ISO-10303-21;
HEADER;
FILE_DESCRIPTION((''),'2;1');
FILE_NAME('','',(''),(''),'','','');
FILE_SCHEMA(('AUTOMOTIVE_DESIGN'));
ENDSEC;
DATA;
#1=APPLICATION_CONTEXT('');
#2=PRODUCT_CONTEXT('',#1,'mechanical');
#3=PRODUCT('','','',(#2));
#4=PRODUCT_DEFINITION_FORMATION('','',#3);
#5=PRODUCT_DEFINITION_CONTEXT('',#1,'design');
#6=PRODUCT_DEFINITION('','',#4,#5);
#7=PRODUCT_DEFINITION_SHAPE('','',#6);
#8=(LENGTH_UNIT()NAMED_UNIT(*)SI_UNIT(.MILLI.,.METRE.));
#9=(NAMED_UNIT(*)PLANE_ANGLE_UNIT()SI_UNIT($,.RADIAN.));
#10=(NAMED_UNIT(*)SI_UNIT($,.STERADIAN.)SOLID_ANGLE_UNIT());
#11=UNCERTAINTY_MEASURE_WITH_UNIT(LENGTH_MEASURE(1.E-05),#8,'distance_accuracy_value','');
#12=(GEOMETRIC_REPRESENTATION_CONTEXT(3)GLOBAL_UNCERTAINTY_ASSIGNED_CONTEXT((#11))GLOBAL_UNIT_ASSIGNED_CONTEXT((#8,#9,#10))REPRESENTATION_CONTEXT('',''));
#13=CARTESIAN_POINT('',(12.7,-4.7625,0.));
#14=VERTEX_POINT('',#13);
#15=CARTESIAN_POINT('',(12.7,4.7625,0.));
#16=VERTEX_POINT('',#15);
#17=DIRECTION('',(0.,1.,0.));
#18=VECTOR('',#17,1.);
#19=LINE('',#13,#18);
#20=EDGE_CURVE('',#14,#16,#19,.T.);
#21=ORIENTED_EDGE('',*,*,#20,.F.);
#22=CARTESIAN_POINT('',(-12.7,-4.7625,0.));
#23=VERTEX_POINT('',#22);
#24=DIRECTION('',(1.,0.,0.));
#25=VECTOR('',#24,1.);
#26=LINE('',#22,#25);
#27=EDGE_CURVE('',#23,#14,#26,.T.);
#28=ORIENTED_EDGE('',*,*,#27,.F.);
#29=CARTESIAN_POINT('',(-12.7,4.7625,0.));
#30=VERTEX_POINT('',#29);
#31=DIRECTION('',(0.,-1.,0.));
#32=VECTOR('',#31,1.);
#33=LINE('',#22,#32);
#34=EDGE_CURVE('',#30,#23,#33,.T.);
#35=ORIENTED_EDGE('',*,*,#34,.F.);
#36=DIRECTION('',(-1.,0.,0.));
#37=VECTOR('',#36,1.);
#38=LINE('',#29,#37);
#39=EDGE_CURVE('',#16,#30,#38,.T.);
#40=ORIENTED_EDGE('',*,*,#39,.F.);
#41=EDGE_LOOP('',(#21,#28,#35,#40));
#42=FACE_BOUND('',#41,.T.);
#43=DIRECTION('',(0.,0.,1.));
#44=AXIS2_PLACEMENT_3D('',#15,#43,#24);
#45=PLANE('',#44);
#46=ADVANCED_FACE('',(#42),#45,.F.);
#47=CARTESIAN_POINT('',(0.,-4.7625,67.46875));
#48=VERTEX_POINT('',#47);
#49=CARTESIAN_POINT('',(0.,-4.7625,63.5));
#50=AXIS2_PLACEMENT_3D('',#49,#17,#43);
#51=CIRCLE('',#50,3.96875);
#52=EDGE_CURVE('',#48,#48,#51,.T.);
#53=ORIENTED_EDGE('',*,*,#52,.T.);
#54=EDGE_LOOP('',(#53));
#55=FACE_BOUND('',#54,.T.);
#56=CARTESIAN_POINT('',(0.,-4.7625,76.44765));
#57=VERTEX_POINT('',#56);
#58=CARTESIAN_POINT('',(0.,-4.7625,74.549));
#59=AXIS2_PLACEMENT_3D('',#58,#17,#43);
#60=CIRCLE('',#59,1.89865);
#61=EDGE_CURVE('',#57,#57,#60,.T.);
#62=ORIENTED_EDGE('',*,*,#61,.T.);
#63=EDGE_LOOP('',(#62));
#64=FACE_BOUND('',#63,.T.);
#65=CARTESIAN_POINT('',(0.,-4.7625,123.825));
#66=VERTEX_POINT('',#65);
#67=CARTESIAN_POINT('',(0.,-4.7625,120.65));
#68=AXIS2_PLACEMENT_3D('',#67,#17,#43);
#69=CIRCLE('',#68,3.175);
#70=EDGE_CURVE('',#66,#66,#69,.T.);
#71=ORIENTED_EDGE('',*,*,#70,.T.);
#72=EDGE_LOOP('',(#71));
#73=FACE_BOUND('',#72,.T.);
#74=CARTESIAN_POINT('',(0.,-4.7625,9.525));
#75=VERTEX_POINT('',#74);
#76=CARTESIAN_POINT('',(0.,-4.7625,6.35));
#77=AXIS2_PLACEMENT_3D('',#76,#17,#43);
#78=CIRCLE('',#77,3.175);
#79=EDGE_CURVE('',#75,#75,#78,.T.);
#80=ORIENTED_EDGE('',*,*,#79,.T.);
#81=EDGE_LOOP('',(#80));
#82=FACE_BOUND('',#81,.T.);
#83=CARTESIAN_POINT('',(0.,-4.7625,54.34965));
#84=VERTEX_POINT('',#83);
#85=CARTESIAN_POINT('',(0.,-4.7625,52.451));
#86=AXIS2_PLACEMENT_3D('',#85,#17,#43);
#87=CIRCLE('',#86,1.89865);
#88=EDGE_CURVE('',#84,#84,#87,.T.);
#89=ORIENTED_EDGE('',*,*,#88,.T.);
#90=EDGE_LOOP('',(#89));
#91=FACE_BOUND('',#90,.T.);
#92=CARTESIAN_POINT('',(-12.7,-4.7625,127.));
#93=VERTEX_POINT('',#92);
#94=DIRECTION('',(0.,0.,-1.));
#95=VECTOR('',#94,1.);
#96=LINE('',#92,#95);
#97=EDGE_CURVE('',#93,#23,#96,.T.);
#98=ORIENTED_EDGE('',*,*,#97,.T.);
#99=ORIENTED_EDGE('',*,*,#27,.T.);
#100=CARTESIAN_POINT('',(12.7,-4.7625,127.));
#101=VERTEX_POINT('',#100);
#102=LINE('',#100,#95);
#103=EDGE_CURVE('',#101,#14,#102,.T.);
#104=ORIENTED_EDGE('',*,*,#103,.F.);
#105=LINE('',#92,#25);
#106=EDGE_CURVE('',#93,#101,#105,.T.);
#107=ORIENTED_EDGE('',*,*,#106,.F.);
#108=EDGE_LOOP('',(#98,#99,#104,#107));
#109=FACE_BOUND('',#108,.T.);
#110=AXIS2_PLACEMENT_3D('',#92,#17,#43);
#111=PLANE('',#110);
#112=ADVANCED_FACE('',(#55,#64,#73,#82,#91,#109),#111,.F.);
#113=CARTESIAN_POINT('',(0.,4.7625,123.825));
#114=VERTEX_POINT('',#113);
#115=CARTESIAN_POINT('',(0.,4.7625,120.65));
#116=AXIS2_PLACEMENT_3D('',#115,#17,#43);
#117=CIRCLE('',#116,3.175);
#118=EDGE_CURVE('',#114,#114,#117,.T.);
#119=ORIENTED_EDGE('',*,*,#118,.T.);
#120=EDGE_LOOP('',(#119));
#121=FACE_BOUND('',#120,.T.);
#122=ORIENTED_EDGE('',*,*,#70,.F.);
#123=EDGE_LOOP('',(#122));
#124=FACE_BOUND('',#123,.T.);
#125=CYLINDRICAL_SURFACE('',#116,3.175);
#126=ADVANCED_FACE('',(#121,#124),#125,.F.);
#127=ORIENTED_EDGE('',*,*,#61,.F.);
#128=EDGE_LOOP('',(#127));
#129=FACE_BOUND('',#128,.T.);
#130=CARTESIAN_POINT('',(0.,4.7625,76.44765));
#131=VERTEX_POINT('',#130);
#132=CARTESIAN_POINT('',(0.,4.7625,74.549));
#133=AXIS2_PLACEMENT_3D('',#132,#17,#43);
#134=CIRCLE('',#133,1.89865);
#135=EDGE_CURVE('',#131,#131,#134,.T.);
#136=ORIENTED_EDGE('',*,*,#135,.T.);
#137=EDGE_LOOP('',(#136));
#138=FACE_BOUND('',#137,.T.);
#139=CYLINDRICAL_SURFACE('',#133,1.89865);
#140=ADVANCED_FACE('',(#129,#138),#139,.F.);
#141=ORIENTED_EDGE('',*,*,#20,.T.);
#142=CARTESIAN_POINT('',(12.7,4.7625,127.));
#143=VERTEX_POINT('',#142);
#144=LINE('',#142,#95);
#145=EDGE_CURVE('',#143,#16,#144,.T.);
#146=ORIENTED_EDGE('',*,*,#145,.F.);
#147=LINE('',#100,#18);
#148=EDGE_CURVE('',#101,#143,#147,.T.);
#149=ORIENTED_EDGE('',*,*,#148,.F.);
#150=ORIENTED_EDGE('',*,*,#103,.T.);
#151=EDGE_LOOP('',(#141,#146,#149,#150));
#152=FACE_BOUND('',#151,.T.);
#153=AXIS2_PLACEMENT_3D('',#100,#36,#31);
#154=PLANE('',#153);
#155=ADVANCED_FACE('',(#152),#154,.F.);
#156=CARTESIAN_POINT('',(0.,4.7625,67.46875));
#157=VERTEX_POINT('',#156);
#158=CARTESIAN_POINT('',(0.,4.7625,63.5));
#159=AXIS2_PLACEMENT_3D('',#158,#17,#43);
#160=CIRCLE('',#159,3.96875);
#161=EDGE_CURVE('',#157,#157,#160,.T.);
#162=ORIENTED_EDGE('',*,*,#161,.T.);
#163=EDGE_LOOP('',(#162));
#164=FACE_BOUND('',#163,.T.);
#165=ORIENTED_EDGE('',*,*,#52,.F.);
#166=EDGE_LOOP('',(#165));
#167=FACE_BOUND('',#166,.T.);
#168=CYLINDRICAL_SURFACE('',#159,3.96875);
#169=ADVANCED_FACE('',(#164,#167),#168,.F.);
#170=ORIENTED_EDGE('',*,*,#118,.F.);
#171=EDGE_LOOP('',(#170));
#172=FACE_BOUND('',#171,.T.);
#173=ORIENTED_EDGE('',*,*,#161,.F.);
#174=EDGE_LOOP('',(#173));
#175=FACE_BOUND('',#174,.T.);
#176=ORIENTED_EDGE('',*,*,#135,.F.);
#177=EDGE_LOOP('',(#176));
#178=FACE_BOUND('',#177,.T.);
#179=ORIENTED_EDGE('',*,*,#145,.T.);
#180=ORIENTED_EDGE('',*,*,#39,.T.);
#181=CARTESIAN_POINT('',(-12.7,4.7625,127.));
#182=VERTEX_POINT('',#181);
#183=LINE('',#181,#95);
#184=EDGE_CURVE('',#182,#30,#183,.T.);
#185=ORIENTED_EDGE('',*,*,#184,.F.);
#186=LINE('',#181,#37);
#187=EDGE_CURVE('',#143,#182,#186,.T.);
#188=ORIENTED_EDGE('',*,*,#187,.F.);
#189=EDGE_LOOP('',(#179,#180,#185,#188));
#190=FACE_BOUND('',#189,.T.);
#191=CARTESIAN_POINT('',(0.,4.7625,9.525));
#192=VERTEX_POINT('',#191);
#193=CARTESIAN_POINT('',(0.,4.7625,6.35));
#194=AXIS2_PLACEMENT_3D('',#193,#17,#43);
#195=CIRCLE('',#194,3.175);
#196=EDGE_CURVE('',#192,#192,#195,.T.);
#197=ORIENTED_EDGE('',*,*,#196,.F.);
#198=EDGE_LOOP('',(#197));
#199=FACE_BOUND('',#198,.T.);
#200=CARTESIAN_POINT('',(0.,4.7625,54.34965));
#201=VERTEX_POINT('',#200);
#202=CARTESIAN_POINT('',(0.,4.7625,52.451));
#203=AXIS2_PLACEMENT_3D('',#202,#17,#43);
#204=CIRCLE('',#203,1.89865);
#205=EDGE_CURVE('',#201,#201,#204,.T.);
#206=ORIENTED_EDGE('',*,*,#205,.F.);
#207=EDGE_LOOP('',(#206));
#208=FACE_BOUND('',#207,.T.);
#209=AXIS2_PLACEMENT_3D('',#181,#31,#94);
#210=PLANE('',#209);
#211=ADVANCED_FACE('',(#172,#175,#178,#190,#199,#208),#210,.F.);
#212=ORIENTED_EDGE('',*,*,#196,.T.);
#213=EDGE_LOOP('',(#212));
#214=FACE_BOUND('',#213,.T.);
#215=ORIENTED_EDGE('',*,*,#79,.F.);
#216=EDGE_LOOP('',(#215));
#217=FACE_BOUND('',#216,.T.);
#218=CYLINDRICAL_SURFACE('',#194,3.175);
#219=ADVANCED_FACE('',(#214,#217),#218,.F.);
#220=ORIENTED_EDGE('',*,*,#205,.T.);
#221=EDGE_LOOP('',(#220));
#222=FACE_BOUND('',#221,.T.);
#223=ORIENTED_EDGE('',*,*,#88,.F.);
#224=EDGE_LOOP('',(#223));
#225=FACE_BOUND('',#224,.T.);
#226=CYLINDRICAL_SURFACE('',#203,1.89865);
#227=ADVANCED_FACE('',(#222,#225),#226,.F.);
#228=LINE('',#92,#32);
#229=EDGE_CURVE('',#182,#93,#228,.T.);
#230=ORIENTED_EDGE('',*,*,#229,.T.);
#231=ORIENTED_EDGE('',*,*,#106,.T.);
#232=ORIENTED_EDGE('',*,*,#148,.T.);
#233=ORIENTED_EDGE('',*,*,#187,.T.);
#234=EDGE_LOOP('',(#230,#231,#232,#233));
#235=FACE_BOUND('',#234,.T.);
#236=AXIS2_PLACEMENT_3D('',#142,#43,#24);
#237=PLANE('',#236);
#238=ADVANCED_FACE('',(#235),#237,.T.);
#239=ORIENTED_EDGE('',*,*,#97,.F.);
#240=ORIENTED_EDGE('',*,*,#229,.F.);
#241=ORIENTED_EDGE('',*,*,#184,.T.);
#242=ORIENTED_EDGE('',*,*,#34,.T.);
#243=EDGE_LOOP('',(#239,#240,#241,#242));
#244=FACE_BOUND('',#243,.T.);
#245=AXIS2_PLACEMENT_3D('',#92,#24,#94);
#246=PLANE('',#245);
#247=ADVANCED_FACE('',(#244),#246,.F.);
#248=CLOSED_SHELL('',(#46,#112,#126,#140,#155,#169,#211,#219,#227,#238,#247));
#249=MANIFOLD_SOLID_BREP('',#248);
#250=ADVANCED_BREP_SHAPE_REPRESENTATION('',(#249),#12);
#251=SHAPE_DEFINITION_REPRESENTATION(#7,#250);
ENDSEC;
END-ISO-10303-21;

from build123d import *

# Parameters (mm, degrees)
SKETCH1_W                          = 25.4
SKETCH1_H                          = 9.525
EXTRUDE1_DEPTH                     = 127
F_1_4_0_25_DIAMETER_HOLE1_D        = 6.35
F_1_4_0_25_DIAMETER_HOLE1_DEPTH    = 12.7
F_1_4_0_25_DIAMETER_HOLE1_TIP      = 1.907732465
F_5_16_0_3125_DIAMETER_HOLE1_D     = 7.9375
F_5_16_0_3125_DIAMETER_HOLE1_DEPTH = 12.7
F_5_16_0_3125_DIAMETER_HOLE1_TIP   = 2.384665582
CIRPATTERN1_COUNT                  = 2


with BuildPart() as part:
    # Sketch1 → Extrude1 (new body)
    with BuildSketch(Plane.XY):
        Rectangle(SKETCH1_W, SKETCH1_H)
    extrude(amount=EXTRUDE1_DEPTH)

    # 1/4 (0.25) Diameter Hole1
    with Locations(Plane(origin=(0, 4.7625, 6.35), x_dir=(0, 0, 1), z_dir=(0, 1, 0))):
        with Locations((0, 0), (114.3, 0)):
            Hole(F_1_4_0_25_DIAMETER_HOLE1_D / 2, depth=F_1_4_0_25_DIAMETER_HOLE1_DEPTH)
            with Locations((0, 0, -(F_1_4_0_25_DIAMETER_HOLE1_DEPTH + F_1_4_0_25_DIAMETER_HOLE1_TIP / 2))):  # 118° drill point
                Cone(0, F_1_4_0_25_DIAMETER_HOLE1_D / 2, F_1_4_0_25_DIAMETER_HOLE1_TIP, mode=Mode.SUBTRACT)

    # 5/16 (0.3125) Diameter Hole1
    with Locations(Plane(origin=(0, 4.7625, 63.5), x_dir=(0, 0, 1), z_dir=(0, 1, 0))):
        with Locations((0, 0)):
            Hole(F_5_16_0_3125_DIAMETER_HOLE1_D / 2, depth=F_5_16_0_3125_DIAMETER_HOLE1_DEPTH)
            with Locations((0, 0, -(F_5_16_0_3125_DIAMETER_HOLE1_DEPTH + F_5_16_0_3125_DIAMETER_HOLE1_TIP / 2))):  # 118° drill point
                Cone(0, F_5_16_0_3125_DIAMETER_HOLE1_D / 2, F_5_16_0_3125_DIAMETER_HOLE1_TIP, mode=Mode.SUBTRACT)

    # Sketch6 → #25 (0.1495) Diameter Hole1 (revolve, cut)
    with BuildSketch(Plane(origin=(0, 4.7625, 74.549), x_dir=(0, 0, 1), z_dir=(1, 0, 0))):
        Polygon((0, 0), (0, 13.840824014), (1.89865, 12.7), (1.89865, 0), align=None)
    f_25_0_1495_diameter_hole1 = revolve(axis=Axis((0, 11.1125, 74.549), (0, -1, 0)), mode=Mode.SUBTRACT)

    # CirPattern1: #25 (0.1495) Diameter Hole1 ×2 about axis
    cirpattern1_axis = Axis((0, 0, 63.5), (0, 1, 0))
    for i in range(1, CIRPATTERN1_COUNT):
        add(f_25_0_1495_diameter_hole1.rotate(cirpattern1_axis, i * 360 / CIRPATTERN1_COUNT), mode=Mode.SUBTRACT)


solid = part.part
